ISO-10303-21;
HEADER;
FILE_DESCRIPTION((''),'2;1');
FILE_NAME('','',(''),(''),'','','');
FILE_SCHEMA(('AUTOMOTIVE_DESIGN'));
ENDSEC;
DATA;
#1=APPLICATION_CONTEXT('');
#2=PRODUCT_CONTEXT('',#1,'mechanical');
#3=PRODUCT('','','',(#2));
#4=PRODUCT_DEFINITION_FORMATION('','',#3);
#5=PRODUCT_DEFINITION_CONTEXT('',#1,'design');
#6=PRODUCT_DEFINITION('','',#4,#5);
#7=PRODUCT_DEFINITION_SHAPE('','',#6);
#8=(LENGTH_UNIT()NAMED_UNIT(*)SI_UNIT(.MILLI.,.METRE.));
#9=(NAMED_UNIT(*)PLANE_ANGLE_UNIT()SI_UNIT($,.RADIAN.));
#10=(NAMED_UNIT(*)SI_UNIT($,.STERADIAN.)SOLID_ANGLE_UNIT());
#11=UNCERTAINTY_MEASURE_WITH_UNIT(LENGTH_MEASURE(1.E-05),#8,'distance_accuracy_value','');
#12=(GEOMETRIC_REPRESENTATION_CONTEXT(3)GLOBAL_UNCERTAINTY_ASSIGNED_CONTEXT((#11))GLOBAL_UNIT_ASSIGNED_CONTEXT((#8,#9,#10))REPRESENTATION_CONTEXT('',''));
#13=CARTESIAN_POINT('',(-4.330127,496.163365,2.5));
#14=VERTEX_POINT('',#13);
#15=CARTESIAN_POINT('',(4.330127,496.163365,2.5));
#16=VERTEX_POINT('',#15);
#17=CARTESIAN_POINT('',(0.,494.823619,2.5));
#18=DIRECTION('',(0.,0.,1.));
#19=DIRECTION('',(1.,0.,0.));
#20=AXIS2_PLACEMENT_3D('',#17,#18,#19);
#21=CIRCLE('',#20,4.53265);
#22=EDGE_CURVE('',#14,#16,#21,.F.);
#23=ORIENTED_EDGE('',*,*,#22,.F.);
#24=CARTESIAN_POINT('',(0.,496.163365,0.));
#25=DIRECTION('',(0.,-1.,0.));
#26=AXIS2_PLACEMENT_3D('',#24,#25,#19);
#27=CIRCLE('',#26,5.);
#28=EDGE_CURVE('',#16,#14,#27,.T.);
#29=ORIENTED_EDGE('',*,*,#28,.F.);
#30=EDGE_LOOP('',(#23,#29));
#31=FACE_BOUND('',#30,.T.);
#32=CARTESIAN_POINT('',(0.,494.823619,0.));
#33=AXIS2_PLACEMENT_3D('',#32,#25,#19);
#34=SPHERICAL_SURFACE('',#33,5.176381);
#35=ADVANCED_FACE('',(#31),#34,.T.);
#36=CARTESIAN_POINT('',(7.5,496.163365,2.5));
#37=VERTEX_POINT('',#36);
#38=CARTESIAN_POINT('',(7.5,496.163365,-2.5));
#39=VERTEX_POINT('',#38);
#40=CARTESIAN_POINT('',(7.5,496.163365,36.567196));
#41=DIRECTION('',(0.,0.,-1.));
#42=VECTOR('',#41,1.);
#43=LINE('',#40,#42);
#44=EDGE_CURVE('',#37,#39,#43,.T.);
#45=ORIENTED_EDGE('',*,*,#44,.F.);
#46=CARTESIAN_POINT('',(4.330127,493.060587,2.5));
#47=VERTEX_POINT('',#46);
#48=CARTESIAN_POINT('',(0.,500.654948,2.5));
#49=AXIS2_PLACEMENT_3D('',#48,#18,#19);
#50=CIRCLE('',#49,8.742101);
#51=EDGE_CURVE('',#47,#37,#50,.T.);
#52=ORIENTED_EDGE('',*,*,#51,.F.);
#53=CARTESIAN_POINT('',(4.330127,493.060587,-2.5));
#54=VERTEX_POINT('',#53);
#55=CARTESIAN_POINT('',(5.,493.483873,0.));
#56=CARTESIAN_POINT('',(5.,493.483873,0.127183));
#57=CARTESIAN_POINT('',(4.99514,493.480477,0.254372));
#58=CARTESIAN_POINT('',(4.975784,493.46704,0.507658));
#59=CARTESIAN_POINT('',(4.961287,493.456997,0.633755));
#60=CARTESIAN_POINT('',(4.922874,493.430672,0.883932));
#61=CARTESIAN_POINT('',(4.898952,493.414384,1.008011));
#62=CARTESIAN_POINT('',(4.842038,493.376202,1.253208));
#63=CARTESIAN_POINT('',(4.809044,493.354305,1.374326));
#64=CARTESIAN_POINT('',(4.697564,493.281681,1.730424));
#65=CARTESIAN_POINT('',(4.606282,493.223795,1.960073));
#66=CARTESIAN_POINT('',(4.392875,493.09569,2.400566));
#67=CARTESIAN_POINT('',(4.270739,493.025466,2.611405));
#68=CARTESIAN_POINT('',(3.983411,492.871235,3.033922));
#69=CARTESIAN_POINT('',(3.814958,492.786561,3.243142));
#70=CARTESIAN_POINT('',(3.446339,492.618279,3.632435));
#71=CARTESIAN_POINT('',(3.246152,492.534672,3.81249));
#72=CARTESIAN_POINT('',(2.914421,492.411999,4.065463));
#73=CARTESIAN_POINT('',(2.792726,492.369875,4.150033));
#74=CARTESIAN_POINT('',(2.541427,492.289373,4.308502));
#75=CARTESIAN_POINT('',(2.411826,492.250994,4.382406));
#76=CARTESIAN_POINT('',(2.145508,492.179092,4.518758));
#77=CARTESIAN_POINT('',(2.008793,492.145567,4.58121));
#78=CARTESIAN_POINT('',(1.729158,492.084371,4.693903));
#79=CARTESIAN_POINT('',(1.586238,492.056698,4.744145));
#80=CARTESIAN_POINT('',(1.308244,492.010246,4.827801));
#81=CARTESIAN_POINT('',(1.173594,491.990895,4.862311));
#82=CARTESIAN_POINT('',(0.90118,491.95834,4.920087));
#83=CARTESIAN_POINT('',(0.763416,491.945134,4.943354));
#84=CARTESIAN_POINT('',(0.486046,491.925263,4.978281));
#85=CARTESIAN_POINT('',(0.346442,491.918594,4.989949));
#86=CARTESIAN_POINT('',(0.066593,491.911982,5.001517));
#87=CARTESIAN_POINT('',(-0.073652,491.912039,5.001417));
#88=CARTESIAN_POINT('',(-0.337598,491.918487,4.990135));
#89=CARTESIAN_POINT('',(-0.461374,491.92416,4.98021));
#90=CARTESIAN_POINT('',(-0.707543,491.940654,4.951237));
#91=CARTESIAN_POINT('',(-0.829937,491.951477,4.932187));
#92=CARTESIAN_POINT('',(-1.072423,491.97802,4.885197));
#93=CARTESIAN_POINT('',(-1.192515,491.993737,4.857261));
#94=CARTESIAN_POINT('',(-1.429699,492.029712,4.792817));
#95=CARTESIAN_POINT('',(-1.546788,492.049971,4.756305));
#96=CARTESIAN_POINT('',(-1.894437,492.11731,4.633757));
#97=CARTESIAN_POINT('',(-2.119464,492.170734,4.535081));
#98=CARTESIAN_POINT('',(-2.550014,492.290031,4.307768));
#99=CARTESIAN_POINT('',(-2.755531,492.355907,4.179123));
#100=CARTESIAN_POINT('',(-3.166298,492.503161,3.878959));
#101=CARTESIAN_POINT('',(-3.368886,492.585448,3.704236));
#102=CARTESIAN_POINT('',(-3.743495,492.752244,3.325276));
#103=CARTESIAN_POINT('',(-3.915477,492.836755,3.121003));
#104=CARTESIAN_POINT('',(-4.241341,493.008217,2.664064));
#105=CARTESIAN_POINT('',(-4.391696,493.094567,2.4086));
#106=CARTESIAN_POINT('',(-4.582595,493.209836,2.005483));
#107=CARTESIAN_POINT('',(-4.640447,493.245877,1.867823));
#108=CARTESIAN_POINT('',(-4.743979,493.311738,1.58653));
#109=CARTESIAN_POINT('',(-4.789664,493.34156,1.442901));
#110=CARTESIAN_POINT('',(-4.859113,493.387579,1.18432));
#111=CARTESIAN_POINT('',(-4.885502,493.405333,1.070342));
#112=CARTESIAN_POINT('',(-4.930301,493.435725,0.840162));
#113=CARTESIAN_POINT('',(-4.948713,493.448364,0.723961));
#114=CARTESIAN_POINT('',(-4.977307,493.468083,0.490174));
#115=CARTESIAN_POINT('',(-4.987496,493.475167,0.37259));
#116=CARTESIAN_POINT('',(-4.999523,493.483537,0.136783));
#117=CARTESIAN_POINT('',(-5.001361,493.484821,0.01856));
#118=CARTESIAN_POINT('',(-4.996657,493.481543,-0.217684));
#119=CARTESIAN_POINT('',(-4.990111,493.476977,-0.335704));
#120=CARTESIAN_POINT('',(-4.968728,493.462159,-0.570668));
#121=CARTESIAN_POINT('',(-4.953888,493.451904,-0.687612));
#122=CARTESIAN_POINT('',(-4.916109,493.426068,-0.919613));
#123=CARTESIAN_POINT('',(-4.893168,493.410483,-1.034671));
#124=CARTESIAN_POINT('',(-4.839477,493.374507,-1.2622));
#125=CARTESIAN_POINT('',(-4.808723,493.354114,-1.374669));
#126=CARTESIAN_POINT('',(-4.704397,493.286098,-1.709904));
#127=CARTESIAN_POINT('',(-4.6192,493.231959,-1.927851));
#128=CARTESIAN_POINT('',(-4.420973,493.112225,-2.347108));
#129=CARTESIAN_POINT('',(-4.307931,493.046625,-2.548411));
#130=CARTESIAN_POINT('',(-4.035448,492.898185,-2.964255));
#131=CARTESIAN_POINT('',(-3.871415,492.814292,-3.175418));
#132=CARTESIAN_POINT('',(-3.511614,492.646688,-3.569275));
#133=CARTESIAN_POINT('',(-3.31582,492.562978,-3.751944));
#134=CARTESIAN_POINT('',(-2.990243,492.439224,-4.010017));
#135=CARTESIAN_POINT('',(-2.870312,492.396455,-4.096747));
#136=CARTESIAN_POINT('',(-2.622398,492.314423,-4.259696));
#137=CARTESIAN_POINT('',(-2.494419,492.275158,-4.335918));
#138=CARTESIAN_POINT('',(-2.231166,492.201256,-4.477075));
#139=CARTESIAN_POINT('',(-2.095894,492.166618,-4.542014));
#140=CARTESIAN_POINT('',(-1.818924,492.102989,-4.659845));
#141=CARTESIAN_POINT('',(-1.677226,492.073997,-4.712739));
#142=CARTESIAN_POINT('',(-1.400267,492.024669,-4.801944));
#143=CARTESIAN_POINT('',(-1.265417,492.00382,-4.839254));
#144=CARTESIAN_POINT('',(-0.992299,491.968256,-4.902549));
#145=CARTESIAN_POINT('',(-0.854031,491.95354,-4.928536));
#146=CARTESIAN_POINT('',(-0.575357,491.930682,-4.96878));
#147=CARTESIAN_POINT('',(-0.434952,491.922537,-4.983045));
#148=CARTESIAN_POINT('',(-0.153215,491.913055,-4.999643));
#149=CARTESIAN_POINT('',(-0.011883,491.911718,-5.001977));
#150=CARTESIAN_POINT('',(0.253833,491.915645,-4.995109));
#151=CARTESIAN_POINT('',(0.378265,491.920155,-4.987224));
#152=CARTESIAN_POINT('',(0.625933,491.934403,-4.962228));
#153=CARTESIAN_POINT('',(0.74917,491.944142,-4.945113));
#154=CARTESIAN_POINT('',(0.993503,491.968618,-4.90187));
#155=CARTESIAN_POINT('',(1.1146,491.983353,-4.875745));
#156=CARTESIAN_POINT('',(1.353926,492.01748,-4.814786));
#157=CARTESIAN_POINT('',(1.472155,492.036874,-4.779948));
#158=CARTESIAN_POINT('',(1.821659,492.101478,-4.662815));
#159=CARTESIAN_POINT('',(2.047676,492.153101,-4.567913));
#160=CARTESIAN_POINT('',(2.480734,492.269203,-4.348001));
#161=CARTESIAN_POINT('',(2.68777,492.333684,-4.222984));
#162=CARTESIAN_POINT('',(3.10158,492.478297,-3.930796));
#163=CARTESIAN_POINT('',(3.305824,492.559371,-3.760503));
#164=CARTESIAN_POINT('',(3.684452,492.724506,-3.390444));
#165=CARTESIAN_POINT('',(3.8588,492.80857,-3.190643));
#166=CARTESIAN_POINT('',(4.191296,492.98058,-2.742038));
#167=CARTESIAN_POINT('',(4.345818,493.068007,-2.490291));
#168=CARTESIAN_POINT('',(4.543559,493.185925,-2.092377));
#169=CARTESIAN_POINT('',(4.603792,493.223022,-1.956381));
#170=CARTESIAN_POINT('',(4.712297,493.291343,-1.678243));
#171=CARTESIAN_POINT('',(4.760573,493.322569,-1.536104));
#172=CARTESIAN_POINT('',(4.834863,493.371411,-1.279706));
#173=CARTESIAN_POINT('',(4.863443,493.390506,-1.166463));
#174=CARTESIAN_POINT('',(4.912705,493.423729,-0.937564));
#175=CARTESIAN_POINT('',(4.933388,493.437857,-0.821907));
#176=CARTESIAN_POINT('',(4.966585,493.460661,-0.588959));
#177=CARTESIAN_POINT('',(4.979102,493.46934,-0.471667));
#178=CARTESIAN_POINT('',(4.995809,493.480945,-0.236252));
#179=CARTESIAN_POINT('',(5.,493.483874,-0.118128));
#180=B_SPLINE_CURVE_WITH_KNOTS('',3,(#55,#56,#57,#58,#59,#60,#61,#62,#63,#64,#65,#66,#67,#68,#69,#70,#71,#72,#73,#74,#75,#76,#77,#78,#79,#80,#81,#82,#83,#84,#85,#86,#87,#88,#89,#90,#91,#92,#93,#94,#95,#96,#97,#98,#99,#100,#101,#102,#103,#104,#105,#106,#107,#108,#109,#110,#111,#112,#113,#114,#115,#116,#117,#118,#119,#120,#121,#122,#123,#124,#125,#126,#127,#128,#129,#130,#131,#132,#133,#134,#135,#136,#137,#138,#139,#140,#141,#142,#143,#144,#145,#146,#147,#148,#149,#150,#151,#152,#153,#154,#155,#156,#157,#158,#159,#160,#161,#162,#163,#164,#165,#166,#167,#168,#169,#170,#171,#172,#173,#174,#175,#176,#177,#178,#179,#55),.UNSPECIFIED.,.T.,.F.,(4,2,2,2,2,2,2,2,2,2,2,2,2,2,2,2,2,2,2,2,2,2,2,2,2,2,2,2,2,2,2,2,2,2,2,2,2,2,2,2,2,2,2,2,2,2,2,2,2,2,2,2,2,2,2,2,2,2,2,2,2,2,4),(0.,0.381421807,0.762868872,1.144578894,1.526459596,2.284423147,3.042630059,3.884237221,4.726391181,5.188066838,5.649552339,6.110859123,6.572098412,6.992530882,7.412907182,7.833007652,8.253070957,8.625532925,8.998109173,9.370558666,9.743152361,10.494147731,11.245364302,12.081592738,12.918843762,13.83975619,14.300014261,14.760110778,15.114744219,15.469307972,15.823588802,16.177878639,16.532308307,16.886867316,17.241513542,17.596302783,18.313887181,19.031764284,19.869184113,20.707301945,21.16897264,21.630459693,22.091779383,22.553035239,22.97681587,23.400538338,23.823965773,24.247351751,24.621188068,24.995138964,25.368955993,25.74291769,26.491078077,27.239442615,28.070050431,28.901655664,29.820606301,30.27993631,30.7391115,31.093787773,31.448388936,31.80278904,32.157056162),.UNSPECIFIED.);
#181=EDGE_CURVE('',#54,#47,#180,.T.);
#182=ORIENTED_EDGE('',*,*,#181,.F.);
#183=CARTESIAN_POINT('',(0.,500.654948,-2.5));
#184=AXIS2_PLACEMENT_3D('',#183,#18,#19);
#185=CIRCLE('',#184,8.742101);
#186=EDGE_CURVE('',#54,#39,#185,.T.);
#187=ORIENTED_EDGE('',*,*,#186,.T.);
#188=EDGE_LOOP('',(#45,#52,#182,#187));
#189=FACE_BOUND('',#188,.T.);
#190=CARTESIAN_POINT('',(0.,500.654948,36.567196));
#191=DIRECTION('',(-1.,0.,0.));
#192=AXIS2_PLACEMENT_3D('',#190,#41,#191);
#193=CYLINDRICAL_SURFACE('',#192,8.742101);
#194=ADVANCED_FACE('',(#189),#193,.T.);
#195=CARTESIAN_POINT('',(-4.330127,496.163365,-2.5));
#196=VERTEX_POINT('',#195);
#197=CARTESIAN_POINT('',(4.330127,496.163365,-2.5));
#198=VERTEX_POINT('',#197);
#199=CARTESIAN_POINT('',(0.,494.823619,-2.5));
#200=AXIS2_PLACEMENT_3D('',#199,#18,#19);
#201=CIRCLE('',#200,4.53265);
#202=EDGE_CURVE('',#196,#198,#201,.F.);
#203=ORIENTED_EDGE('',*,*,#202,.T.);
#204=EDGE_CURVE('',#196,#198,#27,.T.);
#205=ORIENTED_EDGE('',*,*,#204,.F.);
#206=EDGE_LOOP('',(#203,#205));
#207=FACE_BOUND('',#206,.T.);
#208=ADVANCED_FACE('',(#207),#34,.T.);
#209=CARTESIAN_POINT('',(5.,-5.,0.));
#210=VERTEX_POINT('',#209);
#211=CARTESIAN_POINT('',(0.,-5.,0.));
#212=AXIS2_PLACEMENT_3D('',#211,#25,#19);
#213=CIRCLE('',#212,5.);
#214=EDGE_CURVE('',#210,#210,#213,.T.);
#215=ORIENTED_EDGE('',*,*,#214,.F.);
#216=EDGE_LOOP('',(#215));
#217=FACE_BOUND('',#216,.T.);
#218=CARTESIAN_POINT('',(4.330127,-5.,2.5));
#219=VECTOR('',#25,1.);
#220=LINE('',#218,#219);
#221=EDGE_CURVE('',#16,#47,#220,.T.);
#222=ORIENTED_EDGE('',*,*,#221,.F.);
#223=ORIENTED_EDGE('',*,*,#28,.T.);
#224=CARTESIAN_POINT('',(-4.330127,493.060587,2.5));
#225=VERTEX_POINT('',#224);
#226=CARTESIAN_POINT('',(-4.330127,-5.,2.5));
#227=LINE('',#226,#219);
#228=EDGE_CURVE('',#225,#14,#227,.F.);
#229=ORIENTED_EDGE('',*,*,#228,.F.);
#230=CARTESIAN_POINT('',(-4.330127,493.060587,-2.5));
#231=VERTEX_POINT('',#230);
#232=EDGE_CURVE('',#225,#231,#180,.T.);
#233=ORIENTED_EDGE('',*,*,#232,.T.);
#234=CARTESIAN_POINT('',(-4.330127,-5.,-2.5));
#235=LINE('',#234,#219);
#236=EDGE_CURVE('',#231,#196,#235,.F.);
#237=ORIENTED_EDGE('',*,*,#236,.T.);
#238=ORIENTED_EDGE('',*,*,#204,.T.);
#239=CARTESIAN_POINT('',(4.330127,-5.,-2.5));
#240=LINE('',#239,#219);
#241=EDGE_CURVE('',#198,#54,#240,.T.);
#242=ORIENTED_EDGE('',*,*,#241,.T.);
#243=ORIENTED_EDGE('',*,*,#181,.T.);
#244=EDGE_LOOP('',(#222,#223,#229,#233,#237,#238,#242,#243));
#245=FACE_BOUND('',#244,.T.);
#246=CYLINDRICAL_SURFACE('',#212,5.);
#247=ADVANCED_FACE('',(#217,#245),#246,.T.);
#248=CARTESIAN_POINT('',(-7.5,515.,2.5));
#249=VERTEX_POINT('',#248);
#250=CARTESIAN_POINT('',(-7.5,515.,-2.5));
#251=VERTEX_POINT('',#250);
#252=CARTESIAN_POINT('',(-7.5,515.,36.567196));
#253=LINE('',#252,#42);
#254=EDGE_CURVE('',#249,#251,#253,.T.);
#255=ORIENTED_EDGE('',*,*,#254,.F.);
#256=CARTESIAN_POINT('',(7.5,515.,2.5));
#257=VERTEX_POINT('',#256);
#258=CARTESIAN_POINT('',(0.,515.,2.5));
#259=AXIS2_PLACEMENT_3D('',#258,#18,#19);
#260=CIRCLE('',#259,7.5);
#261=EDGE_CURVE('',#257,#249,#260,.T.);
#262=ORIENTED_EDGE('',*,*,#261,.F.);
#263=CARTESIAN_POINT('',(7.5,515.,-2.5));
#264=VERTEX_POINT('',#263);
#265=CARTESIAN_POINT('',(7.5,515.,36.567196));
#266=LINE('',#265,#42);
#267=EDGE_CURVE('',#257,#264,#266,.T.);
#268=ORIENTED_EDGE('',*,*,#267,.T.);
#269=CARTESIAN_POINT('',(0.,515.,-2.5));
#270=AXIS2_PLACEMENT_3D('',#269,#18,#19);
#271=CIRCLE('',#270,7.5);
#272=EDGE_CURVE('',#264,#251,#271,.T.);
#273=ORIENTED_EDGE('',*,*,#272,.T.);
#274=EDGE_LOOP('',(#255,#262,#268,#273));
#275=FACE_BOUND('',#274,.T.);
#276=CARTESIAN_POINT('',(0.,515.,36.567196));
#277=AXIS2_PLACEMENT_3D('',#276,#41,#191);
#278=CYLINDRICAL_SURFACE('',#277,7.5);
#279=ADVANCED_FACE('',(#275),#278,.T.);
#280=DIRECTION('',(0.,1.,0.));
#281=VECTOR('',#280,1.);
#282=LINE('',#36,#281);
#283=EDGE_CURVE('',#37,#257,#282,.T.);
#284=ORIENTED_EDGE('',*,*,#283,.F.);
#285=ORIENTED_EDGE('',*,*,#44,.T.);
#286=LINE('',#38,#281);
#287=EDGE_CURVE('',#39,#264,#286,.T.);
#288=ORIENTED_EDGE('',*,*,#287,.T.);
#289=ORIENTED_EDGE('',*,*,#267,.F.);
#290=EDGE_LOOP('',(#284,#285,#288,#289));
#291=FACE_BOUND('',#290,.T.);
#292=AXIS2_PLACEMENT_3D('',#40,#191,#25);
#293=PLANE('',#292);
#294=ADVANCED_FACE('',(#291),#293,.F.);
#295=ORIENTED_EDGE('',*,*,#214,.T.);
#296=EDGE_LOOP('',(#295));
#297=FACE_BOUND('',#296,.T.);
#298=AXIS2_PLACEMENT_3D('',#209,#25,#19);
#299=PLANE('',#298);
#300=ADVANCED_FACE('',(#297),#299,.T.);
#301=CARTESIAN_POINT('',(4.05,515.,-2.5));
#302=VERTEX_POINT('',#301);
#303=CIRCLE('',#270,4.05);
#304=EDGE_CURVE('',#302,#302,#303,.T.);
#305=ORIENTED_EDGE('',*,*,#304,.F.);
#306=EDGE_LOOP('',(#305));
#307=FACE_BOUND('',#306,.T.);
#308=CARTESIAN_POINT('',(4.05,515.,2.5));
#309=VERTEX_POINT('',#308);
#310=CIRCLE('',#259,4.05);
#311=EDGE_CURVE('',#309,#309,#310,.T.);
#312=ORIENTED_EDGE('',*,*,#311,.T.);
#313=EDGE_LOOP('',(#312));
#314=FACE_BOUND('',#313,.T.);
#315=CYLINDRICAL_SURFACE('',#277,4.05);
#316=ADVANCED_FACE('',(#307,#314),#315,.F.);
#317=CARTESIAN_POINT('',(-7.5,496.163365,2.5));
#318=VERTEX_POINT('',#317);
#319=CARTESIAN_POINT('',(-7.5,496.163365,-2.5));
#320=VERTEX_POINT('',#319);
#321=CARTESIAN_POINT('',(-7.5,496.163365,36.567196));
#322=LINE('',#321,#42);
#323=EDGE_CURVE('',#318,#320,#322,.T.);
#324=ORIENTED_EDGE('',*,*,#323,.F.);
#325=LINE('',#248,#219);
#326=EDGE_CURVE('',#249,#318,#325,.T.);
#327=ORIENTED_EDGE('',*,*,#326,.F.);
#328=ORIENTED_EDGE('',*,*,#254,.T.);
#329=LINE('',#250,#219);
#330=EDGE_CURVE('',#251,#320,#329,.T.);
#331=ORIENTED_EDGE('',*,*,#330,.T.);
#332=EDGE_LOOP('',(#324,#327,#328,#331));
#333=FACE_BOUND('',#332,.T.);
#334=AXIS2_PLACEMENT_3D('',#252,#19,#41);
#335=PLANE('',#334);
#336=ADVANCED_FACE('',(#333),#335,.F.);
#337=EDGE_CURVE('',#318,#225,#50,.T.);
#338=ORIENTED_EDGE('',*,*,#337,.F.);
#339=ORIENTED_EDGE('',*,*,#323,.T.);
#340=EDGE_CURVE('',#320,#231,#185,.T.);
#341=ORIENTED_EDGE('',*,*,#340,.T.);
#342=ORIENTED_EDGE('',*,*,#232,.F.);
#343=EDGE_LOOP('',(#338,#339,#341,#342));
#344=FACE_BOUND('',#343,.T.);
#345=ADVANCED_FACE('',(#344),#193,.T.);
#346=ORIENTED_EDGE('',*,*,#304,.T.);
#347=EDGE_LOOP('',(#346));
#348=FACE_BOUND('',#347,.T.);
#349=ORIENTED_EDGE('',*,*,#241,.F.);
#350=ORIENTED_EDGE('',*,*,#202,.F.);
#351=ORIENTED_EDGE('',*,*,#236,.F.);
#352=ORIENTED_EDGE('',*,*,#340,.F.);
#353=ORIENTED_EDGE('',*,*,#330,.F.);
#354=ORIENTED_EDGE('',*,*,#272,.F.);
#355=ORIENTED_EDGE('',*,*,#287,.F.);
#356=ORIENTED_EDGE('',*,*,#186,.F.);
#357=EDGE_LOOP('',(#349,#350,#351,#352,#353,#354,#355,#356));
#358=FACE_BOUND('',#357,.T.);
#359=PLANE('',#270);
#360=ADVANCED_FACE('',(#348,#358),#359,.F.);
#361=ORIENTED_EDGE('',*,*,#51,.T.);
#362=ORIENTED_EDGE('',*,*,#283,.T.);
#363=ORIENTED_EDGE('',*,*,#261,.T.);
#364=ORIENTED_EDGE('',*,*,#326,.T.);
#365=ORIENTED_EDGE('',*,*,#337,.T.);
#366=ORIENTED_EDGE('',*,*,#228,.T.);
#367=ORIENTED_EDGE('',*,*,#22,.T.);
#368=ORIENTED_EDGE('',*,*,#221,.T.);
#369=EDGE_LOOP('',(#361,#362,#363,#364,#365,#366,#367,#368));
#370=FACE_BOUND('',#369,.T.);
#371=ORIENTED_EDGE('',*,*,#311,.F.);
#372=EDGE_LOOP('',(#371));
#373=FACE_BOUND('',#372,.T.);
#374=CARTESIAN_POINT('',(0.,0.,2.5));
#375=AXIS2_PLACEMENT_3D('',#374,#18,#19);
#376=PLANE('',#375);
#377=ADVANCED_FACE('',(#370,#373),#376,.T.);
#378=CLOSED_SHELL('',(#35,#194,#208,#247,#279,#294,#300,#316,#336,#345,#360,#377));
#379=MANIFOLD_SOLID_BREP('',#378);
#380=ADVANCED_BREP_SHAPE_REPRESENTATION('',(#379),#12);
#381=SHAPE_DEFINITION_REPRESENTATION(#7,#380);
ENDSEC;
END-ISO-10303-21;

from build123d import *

# Parameters (mm, degrees)
CLEVIS_START = -4e-06
SKETCH6_R    = 4.05
CLEVIS_DEPTH = 5.00001


with BuildPart() as part:
    # Sketch5 → Body (revolve)
    with BuildSketch(Plane.XY):
        with BuildLine():
            Line((5, 496.16336506), (5, -5))
            Line((5, -5), (0, -5))
            Line((0, -5), (0, 500))
            ThreePointArc((0, 500), (3.151181035, 498.930318177), (5, 496.16336506))
        make_face()
    revolve(axis=Axis((0, -5, 0), (0, 1, 0)))

    # Sketch6 → Clevis (add)
    with BuildSketch(Plane.XY.offset(-2.5).offset(CLEVIS_START)):
        with BuildLine():
            Line((-7.5, 515), (-7.5, 496.16336506))
            ThreePointArc((-7.5, 496.16336506), (0, 491.912847956), (7.5, 496.16336506))
            Line((7.5, 496.16336506), (7.5, 515))
            ThreePointArc((7.5, 515), (0, 522.5), (-7.5, 515))
        make_face()
        with Locations((0, 515)):
            Circle(SKETCH6_R, mode=Mode.SUBTRACT)
    extrude(amount=CLEVIS_DEPTH)


solid = part.part
